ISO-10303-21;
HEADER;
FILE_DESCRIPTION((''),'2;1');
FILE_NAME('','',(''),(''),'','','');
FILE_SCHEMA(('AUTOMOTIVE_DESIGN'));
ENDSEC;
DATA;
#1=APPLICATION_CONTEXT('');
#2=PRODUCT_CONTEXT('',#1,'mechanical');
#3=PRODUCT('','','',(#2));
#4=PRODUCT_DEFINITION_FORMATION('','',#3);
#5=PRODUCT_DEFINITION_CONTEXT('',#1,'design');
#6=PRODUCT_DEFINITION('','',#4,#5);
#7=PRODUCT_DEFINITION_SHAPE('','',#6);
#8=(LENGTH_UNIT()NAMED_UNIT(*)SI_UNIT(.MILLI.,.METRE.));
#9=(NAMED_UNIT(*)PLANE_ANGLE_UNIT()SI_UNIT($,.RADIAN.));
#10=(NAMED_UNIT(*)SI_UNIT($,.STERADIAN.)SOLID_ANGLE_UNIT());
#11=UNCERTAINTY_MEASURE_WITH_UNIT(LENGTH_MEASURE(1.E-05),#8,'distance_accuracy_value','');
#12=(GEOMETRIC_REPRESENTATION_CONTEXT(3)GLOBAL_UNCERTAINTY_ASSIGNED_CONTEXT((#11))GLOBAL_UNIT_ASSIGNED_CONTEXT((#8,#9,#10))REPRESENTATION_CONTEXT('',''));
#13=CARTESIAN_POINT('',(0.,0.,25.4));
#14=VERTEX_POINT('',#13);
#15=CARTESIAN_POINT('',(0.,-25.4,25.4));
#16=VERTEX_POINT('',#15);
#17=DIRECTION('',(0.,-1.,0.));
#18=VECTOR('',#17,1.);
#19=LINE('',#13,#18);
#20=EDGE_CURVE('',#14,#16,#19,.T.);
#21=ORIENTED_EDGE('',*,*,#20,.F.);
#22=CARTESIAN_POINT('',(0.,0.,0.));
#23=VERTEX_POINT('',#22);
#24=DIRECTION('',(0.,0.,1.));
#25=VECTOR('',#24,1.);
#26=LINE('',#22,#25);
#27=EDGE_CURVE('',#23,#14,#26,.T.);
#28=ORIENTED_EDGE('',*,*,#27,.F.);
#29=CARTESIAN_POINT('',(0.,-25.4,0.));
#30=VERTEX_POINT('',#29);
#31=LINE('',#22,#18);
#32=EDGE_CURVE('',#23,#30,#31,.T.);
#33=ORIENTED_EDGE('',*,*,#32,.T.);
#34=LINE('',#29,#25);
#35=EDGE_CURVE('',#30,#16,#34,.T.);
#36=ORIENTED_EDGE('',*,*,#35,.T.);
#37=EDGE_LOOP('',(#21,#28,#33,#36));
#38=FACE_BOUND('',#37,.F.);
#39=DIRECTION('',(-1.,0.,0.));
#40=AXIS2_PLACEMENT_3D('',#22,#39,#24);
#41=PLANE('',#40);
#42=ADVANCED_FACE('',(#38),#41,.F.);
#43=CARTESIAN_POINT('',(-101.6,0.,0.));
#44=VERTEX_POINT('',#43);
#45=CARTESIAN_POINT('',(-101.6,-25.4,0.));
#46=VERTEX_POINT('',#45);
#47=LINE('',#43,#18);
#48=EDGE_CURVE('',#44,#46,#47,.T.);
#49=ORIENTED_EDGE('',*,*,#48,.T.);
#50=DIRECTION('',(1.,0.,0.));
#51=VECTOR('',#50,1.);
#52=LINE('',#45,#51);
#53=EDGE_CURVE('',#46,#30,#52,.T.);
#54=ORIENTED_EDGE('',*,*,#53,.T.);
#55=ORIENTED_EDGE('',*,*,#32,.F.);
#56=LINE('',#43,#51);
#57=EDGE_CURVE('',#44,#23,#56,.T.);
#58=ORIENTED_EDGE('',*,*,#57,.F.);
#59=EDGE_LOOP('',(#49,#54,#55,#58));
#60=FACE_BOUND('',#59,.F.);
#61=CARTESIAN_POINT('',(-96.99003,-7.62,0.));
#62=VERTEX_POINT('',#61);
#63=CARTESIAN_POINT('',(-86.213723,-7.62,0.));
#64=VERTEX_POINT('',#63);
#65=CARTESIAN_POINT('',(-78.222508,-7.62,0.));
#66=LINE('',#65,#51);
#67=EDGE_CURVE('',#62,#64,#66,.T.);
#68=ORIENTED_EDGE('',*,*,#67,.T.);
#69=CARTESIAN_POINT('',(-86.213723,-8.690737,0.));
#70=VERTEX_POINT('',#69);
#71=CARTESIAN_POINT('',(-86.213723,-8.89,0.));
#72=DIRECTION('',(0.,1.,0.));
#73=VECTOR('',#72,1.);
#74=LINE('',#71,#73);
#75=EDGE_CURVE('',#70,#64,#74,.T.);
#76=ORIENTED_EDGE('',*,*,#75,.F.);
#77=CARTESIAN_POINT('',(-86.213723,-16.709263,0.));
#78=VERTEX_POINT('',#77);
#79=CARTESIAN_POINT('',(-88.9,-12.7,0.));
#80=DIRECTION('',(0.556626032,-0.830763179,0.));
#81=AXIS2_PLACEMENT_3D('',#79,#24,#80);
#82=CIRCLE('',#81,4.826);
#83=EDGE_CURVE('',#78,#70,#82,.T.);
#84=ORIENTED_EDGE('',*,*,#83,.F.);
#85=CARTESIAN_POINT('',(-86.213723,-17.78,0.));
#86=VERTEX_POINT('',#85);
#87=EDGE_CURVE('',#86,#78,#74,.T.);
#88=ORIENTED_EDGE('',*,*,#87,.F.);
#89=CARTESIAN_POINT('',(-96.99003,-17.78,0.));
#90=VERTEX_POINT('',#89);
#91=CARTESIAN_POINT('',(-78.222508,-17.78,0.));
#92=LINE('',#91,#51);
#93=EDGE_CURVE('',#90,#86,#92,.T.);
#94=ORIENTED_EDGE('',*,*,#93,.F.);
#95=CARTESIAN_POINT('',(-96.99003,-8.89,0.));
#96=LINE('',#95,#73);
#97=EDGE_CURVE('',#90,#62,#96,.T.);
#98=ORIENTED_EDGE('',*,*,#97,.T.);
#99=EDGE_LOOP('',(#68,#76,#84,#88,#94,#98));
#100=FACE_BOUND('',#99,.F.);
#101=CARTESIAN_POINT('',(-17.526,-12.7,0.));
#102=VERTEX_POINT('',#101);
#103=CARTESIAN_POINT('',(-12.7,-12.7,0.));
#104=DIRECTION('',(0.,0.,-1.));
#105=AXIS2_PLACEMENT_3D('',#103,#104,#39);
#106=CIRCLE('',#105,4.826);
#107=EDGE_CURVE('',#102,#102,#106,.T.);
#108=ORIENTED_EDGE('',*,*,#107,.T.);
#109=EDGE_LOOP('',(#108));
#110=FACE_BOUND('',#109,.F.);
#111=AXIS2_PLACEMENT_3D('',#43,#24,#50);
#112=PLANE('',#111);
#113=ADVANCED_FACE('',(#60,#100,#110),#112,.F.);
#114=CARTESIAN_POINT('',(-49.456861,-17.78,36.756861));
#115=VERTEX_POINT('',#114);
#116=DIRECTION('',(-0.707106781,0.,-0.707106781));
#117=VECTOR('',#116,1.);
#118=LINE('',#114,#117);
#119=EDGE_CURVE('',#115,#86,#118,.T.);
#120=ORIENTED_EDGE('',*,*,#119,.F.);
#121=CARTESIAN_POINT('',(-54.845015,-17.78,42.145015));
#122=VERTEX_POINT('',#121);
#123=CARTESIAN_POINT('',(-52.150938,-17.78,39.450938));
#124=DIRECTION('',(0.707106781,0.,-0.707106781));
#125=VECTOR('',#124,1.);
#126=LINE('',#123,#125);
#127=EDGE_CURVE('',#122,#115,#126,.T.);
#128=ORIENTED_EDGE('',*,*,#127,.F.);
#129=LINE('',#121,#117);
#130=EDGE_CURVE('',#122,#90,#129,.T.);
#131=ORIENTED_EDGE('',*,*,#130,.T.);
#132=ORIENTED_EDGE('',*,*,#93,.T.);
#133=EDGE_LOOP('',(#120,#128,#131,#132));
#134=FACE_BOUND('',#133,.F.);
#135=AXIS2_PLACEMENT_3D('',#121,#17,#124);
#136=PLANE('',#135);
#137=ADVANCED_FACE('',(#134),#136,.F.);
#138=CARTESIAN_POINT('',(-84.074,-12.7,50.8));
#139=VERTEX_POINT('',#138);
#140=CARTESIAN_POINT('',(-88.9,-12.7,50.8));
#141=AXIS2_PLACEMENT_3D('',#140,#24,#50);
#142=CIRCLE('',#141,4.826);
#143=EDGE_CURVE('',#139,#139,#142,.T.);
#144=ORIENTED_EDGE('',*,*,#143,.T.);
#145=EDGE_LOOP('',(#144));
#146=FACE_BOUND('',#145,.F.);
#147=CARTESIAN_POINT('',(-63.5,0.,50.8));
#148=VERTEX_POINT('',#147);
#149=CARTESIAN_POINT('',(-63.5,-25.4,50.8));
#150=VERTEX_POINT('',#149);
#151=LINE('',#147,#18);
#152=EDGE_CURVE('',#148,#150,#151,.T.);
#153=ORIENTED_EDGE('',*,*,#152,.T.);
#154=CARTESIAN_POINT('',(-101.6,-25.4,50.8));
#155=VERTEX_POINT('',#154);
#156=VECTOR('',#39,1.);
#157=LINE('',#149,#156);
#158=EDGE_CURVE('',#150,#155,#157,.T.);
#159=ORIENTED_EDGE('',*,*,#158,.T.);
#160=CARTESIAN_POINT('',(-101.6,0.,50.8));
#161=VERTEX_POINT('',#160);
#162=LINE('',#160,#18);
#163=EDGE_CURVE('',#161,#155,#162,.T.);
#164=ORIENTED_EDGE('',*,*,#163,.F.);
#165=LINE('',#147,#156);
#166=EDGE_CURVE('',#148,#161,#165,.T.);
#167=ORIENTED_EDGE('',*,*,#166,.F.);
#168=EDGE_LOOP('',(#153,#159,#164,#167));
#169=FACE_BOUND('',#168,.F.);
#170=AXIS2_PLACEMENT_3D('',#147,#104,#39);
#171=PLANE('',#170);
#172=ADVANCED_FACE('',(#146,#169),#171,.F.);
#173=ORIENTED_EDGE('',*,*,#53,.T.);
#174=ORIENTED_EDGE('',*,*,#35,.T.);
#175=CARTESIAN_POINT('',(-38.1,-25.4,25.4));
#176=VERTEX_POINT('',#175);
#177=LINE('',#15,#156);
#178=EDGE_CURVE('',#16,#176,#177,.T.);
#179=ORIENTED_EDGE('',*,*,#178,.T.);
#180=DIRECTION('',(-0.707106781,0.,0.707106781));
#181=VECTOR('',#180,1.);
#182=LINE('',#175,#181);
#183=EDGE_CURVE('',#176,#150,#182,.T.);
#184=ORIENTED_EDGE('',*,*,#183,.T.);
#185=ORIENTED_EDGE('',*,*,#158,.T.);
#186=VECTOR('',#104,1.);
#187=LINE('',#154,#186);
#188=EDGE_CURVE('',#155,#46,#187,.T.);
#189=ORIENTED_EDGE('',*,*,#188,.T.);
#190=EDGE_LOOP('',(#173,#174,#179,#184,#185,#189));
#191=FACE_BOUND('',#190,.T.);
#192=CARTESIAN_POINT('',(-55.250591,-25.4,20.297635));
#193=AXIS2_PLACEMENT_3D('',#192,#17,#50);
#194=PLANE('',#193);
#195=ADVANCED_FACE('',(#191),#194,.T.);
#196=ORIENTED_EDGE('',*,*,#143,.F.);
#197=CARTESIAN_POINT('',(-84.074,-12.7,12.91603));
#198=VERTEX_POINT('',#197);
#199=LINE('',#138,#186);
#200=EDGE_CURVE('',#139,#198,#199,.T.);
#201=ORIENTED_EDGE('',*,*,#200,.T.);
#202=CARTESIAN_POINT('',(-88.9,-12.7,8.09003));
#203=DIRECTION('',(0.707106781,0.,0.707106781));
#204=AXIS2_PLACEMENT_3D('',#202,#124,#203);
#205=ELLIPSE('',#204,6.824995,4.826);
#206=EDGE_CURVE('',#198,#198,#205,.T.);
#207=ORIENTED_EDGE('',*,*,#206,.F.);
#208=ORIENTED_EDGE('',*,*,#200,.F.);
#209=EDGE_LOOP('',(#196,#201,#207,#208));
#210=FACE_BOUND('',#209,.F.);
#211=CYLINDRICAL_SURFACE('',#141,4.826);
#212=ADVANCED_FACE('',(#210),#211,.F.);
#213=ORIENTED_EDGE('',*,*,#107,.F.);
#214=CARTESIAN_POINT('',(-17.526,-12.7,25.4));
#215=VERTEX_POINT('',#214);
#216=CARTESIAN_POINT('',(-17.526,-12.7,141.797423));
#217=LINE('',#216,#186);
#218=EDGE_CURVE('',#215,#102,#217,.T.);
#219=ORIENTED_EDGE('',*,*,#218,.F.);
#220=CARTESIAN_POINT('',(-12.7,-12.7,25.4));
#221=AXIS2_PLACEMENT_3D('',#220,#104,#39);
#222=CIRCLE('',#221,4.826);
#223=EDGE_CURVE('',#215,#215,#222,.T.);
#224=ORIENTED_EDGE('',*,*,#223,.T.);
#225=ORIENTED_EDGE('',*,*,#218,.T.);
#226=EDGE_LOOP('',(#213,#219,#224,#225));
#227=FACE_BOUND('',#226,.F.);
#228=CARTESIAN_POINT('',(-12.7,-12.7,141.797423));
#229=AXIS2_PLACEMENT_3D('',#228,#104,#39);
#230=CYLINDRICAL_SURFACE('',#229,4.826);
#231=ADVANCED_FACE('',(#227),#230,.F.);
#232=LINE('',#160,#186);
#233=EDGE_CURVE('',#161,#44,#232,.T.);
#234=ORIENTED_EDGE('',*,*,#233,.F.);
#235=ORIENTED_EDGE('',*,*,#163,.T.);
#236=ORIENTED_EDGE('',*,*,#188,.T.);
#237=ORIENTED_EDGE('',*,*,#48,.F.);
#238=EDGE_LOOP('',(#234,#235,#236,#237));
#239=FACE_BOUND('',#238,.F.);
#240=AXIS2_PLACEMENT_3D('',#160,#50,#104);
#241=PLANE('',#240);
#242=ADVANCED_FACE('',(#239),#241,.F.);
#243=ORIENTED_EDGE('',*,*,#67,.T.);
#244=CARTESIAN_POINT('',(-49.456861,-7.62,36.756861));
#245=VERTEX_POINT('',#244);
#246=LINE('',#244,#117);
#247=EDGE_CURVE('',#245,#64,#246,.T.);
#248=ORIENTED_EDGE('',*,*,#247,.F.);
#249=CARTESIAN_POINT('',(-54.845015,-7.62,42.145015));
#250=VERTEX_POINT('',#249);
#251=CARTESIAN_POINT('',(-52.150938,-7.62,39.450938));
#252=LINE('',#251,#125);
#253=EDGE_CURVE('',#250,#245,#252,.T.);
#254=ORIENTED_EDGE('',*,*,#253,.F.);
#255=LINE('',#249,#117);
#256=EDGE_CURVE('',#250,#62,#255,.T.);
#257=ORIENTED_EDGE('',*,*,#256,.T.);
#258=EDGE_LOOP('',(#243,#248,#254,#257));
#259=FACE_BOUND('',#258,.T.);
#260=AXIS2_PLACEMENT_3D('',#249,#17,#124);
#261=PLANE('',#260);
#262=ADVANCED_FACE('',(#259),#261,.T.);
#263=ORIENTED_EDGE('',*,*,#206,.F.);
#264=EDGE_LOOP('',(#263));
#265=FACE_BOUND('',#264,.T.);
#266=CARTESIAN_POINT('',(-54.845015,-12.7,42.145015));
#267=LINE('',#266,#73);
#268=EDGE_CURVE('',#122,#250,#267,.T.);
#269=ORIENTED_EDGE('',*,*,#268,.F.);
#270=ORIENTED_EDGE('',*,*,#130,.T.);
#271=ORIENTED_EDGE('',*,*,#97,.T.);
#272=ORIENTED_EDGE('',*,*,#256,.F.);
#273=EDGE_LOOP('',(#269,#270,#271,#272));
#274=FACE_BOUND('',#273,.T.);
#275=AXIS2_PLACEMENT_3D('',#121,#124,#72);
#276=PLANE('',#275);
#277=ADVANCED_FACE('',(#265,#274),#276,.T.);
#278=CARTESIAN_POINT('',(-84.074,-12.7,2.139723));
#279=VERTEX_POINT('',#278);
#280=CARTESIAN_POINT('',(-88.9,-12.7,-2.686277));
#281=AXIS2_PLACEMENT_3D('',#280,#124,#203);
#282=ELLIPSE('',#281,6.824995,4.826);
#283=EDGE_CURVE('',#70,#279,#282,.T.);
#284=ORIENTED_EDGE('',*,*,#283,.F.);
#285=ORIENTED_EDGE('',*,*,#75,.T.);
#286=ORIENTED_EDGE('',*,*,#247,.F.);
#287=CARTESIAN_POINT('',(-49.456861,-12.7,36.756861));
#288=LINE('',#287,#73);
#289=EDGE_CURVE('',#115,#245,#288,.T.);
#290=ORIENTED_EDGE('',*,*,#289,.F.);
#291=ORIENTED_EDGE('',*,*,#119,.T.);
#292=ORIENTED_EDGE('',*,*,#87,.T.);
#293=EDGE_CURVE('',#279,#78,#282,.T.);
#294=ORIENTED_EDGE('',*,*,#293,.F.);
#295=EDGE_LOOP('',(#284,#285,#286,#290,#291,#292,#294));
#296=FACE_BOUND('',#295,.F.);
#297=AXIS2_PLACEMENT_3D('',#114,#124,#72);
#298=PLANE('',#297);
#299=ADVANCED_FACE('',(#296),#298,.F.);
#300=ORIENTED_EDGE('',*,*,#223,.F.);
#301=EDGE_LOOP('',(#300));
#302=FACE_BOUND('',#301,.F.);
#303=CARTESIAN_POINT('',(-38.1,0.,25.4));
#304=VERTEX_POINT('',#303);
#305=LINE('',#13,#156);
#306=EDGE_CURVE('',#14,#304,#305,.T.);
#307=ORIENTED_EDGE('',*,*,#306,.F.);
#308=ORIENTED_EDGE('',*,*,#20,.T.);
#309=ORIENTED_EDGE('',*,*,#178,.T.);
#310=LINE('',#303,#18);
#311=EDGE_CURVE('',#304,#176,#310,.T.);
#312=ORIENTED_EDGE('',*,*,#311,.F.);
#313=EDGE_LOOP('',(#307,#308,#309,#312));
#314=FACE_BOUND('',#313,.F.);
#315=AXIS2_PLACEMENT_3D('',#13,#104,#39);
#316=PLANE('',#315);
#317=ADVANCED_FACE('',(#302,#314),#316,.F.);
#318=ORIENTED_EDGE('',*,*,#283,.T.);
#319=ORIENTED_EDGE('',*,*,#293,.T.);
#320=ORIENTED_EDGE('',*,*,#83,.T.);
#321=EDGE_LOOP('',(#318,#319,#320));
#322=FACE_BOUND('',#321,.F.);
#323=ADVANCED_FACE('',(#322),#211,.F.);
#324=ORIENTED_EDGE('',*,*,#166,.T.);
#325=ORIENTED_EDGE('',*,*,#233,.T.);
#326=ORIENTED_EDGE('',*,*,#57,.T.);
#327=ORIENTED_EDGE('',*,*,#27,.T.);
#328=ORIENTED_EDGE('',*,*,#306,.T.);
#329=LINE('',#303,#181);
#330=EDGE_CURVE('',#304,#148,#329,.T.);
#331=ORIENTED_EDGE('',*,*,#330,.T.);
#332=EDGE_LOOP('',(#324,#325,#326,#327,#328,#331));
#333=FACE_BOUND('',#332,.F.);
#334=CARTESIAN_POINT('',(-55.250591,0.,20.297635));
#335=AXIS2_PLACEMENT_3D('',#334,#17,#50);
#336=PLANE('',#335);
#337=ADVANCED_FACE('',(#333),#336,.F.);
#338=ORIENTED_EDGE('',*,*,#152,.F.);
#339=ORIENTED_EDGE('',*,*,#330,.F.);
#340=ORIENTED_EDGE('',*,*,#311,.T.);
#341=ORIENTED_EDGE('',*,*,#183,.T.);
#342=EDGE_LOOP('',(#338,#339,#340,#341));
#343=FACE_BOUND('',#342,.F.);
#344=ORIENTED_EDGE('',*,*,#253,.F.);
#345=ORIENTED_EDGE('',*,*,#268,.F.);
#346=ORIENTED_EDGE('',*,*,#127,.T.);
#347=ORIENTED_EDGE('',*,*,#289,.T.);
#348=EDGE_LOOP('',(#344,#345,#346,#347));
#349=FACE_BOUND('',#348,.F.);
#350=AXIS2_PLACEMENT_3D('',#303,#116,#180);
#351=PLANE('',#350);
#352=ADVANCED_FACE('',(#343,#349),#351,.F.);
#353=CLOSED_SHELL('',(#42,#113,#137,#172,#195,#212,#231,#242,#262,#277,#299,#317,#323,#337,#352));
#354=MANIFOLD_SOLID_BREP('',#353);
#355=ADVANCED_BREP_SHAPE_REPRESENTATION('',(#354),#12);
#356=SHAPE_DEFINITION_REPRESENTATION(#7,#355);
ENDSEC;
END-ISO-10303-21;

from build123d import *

# Parameters (mm, degrees)
F1_DEPTH = 25.4
F2_R     = 4.826
F3_DEPTH = 50.801
F5_D     = 9.652
F6_W     = 7.62
F6_H     = 10.16
F7_DEPTH = 62.862793


with BuildPart() as f1:
    # F0 (on Front) → F1 (new body)
    with BuildSketch(Plane.XZ):
        Polygon((-63.5, 50.8), (-101.6, 50.8), (-101.6, 0), (0, 0), (0, 25.4), (-38.1, 25.4), align=None)
    extrude(amount=F1_DEPTH)

    # F2 (on face) → F3 (cut, through all)
    with BuildSketch(Plane.XY.offset(50.8)):
        with Locations((-88.9, -12.7)):
            Circle(F2_R)
    extrude(amount=-F3_DEPTH, mode=Mode.SUBTRACT)

    # F5 (through all)
    with Locations(Plane.XY.offset(25.4)):
        with Locations((-12.7, -12.7)):
            Hole(F5_D / 2)

    # F6 (on face) → F7 (cut, through all)
    with BuildSketch(Plane(origin=(-6.35, 0, -6.35), x_dir=(0.707107, 0, -0.707107), z_dir=(0.707107, 0, 0.707107))):
        with Locations((-64.772308, -12.7)):
            Rectangle(F6_W, F6_H)
    extrude(amount=-F7_DEPTH, mode=Mode.SUBTRACT)


solid = f1.part
